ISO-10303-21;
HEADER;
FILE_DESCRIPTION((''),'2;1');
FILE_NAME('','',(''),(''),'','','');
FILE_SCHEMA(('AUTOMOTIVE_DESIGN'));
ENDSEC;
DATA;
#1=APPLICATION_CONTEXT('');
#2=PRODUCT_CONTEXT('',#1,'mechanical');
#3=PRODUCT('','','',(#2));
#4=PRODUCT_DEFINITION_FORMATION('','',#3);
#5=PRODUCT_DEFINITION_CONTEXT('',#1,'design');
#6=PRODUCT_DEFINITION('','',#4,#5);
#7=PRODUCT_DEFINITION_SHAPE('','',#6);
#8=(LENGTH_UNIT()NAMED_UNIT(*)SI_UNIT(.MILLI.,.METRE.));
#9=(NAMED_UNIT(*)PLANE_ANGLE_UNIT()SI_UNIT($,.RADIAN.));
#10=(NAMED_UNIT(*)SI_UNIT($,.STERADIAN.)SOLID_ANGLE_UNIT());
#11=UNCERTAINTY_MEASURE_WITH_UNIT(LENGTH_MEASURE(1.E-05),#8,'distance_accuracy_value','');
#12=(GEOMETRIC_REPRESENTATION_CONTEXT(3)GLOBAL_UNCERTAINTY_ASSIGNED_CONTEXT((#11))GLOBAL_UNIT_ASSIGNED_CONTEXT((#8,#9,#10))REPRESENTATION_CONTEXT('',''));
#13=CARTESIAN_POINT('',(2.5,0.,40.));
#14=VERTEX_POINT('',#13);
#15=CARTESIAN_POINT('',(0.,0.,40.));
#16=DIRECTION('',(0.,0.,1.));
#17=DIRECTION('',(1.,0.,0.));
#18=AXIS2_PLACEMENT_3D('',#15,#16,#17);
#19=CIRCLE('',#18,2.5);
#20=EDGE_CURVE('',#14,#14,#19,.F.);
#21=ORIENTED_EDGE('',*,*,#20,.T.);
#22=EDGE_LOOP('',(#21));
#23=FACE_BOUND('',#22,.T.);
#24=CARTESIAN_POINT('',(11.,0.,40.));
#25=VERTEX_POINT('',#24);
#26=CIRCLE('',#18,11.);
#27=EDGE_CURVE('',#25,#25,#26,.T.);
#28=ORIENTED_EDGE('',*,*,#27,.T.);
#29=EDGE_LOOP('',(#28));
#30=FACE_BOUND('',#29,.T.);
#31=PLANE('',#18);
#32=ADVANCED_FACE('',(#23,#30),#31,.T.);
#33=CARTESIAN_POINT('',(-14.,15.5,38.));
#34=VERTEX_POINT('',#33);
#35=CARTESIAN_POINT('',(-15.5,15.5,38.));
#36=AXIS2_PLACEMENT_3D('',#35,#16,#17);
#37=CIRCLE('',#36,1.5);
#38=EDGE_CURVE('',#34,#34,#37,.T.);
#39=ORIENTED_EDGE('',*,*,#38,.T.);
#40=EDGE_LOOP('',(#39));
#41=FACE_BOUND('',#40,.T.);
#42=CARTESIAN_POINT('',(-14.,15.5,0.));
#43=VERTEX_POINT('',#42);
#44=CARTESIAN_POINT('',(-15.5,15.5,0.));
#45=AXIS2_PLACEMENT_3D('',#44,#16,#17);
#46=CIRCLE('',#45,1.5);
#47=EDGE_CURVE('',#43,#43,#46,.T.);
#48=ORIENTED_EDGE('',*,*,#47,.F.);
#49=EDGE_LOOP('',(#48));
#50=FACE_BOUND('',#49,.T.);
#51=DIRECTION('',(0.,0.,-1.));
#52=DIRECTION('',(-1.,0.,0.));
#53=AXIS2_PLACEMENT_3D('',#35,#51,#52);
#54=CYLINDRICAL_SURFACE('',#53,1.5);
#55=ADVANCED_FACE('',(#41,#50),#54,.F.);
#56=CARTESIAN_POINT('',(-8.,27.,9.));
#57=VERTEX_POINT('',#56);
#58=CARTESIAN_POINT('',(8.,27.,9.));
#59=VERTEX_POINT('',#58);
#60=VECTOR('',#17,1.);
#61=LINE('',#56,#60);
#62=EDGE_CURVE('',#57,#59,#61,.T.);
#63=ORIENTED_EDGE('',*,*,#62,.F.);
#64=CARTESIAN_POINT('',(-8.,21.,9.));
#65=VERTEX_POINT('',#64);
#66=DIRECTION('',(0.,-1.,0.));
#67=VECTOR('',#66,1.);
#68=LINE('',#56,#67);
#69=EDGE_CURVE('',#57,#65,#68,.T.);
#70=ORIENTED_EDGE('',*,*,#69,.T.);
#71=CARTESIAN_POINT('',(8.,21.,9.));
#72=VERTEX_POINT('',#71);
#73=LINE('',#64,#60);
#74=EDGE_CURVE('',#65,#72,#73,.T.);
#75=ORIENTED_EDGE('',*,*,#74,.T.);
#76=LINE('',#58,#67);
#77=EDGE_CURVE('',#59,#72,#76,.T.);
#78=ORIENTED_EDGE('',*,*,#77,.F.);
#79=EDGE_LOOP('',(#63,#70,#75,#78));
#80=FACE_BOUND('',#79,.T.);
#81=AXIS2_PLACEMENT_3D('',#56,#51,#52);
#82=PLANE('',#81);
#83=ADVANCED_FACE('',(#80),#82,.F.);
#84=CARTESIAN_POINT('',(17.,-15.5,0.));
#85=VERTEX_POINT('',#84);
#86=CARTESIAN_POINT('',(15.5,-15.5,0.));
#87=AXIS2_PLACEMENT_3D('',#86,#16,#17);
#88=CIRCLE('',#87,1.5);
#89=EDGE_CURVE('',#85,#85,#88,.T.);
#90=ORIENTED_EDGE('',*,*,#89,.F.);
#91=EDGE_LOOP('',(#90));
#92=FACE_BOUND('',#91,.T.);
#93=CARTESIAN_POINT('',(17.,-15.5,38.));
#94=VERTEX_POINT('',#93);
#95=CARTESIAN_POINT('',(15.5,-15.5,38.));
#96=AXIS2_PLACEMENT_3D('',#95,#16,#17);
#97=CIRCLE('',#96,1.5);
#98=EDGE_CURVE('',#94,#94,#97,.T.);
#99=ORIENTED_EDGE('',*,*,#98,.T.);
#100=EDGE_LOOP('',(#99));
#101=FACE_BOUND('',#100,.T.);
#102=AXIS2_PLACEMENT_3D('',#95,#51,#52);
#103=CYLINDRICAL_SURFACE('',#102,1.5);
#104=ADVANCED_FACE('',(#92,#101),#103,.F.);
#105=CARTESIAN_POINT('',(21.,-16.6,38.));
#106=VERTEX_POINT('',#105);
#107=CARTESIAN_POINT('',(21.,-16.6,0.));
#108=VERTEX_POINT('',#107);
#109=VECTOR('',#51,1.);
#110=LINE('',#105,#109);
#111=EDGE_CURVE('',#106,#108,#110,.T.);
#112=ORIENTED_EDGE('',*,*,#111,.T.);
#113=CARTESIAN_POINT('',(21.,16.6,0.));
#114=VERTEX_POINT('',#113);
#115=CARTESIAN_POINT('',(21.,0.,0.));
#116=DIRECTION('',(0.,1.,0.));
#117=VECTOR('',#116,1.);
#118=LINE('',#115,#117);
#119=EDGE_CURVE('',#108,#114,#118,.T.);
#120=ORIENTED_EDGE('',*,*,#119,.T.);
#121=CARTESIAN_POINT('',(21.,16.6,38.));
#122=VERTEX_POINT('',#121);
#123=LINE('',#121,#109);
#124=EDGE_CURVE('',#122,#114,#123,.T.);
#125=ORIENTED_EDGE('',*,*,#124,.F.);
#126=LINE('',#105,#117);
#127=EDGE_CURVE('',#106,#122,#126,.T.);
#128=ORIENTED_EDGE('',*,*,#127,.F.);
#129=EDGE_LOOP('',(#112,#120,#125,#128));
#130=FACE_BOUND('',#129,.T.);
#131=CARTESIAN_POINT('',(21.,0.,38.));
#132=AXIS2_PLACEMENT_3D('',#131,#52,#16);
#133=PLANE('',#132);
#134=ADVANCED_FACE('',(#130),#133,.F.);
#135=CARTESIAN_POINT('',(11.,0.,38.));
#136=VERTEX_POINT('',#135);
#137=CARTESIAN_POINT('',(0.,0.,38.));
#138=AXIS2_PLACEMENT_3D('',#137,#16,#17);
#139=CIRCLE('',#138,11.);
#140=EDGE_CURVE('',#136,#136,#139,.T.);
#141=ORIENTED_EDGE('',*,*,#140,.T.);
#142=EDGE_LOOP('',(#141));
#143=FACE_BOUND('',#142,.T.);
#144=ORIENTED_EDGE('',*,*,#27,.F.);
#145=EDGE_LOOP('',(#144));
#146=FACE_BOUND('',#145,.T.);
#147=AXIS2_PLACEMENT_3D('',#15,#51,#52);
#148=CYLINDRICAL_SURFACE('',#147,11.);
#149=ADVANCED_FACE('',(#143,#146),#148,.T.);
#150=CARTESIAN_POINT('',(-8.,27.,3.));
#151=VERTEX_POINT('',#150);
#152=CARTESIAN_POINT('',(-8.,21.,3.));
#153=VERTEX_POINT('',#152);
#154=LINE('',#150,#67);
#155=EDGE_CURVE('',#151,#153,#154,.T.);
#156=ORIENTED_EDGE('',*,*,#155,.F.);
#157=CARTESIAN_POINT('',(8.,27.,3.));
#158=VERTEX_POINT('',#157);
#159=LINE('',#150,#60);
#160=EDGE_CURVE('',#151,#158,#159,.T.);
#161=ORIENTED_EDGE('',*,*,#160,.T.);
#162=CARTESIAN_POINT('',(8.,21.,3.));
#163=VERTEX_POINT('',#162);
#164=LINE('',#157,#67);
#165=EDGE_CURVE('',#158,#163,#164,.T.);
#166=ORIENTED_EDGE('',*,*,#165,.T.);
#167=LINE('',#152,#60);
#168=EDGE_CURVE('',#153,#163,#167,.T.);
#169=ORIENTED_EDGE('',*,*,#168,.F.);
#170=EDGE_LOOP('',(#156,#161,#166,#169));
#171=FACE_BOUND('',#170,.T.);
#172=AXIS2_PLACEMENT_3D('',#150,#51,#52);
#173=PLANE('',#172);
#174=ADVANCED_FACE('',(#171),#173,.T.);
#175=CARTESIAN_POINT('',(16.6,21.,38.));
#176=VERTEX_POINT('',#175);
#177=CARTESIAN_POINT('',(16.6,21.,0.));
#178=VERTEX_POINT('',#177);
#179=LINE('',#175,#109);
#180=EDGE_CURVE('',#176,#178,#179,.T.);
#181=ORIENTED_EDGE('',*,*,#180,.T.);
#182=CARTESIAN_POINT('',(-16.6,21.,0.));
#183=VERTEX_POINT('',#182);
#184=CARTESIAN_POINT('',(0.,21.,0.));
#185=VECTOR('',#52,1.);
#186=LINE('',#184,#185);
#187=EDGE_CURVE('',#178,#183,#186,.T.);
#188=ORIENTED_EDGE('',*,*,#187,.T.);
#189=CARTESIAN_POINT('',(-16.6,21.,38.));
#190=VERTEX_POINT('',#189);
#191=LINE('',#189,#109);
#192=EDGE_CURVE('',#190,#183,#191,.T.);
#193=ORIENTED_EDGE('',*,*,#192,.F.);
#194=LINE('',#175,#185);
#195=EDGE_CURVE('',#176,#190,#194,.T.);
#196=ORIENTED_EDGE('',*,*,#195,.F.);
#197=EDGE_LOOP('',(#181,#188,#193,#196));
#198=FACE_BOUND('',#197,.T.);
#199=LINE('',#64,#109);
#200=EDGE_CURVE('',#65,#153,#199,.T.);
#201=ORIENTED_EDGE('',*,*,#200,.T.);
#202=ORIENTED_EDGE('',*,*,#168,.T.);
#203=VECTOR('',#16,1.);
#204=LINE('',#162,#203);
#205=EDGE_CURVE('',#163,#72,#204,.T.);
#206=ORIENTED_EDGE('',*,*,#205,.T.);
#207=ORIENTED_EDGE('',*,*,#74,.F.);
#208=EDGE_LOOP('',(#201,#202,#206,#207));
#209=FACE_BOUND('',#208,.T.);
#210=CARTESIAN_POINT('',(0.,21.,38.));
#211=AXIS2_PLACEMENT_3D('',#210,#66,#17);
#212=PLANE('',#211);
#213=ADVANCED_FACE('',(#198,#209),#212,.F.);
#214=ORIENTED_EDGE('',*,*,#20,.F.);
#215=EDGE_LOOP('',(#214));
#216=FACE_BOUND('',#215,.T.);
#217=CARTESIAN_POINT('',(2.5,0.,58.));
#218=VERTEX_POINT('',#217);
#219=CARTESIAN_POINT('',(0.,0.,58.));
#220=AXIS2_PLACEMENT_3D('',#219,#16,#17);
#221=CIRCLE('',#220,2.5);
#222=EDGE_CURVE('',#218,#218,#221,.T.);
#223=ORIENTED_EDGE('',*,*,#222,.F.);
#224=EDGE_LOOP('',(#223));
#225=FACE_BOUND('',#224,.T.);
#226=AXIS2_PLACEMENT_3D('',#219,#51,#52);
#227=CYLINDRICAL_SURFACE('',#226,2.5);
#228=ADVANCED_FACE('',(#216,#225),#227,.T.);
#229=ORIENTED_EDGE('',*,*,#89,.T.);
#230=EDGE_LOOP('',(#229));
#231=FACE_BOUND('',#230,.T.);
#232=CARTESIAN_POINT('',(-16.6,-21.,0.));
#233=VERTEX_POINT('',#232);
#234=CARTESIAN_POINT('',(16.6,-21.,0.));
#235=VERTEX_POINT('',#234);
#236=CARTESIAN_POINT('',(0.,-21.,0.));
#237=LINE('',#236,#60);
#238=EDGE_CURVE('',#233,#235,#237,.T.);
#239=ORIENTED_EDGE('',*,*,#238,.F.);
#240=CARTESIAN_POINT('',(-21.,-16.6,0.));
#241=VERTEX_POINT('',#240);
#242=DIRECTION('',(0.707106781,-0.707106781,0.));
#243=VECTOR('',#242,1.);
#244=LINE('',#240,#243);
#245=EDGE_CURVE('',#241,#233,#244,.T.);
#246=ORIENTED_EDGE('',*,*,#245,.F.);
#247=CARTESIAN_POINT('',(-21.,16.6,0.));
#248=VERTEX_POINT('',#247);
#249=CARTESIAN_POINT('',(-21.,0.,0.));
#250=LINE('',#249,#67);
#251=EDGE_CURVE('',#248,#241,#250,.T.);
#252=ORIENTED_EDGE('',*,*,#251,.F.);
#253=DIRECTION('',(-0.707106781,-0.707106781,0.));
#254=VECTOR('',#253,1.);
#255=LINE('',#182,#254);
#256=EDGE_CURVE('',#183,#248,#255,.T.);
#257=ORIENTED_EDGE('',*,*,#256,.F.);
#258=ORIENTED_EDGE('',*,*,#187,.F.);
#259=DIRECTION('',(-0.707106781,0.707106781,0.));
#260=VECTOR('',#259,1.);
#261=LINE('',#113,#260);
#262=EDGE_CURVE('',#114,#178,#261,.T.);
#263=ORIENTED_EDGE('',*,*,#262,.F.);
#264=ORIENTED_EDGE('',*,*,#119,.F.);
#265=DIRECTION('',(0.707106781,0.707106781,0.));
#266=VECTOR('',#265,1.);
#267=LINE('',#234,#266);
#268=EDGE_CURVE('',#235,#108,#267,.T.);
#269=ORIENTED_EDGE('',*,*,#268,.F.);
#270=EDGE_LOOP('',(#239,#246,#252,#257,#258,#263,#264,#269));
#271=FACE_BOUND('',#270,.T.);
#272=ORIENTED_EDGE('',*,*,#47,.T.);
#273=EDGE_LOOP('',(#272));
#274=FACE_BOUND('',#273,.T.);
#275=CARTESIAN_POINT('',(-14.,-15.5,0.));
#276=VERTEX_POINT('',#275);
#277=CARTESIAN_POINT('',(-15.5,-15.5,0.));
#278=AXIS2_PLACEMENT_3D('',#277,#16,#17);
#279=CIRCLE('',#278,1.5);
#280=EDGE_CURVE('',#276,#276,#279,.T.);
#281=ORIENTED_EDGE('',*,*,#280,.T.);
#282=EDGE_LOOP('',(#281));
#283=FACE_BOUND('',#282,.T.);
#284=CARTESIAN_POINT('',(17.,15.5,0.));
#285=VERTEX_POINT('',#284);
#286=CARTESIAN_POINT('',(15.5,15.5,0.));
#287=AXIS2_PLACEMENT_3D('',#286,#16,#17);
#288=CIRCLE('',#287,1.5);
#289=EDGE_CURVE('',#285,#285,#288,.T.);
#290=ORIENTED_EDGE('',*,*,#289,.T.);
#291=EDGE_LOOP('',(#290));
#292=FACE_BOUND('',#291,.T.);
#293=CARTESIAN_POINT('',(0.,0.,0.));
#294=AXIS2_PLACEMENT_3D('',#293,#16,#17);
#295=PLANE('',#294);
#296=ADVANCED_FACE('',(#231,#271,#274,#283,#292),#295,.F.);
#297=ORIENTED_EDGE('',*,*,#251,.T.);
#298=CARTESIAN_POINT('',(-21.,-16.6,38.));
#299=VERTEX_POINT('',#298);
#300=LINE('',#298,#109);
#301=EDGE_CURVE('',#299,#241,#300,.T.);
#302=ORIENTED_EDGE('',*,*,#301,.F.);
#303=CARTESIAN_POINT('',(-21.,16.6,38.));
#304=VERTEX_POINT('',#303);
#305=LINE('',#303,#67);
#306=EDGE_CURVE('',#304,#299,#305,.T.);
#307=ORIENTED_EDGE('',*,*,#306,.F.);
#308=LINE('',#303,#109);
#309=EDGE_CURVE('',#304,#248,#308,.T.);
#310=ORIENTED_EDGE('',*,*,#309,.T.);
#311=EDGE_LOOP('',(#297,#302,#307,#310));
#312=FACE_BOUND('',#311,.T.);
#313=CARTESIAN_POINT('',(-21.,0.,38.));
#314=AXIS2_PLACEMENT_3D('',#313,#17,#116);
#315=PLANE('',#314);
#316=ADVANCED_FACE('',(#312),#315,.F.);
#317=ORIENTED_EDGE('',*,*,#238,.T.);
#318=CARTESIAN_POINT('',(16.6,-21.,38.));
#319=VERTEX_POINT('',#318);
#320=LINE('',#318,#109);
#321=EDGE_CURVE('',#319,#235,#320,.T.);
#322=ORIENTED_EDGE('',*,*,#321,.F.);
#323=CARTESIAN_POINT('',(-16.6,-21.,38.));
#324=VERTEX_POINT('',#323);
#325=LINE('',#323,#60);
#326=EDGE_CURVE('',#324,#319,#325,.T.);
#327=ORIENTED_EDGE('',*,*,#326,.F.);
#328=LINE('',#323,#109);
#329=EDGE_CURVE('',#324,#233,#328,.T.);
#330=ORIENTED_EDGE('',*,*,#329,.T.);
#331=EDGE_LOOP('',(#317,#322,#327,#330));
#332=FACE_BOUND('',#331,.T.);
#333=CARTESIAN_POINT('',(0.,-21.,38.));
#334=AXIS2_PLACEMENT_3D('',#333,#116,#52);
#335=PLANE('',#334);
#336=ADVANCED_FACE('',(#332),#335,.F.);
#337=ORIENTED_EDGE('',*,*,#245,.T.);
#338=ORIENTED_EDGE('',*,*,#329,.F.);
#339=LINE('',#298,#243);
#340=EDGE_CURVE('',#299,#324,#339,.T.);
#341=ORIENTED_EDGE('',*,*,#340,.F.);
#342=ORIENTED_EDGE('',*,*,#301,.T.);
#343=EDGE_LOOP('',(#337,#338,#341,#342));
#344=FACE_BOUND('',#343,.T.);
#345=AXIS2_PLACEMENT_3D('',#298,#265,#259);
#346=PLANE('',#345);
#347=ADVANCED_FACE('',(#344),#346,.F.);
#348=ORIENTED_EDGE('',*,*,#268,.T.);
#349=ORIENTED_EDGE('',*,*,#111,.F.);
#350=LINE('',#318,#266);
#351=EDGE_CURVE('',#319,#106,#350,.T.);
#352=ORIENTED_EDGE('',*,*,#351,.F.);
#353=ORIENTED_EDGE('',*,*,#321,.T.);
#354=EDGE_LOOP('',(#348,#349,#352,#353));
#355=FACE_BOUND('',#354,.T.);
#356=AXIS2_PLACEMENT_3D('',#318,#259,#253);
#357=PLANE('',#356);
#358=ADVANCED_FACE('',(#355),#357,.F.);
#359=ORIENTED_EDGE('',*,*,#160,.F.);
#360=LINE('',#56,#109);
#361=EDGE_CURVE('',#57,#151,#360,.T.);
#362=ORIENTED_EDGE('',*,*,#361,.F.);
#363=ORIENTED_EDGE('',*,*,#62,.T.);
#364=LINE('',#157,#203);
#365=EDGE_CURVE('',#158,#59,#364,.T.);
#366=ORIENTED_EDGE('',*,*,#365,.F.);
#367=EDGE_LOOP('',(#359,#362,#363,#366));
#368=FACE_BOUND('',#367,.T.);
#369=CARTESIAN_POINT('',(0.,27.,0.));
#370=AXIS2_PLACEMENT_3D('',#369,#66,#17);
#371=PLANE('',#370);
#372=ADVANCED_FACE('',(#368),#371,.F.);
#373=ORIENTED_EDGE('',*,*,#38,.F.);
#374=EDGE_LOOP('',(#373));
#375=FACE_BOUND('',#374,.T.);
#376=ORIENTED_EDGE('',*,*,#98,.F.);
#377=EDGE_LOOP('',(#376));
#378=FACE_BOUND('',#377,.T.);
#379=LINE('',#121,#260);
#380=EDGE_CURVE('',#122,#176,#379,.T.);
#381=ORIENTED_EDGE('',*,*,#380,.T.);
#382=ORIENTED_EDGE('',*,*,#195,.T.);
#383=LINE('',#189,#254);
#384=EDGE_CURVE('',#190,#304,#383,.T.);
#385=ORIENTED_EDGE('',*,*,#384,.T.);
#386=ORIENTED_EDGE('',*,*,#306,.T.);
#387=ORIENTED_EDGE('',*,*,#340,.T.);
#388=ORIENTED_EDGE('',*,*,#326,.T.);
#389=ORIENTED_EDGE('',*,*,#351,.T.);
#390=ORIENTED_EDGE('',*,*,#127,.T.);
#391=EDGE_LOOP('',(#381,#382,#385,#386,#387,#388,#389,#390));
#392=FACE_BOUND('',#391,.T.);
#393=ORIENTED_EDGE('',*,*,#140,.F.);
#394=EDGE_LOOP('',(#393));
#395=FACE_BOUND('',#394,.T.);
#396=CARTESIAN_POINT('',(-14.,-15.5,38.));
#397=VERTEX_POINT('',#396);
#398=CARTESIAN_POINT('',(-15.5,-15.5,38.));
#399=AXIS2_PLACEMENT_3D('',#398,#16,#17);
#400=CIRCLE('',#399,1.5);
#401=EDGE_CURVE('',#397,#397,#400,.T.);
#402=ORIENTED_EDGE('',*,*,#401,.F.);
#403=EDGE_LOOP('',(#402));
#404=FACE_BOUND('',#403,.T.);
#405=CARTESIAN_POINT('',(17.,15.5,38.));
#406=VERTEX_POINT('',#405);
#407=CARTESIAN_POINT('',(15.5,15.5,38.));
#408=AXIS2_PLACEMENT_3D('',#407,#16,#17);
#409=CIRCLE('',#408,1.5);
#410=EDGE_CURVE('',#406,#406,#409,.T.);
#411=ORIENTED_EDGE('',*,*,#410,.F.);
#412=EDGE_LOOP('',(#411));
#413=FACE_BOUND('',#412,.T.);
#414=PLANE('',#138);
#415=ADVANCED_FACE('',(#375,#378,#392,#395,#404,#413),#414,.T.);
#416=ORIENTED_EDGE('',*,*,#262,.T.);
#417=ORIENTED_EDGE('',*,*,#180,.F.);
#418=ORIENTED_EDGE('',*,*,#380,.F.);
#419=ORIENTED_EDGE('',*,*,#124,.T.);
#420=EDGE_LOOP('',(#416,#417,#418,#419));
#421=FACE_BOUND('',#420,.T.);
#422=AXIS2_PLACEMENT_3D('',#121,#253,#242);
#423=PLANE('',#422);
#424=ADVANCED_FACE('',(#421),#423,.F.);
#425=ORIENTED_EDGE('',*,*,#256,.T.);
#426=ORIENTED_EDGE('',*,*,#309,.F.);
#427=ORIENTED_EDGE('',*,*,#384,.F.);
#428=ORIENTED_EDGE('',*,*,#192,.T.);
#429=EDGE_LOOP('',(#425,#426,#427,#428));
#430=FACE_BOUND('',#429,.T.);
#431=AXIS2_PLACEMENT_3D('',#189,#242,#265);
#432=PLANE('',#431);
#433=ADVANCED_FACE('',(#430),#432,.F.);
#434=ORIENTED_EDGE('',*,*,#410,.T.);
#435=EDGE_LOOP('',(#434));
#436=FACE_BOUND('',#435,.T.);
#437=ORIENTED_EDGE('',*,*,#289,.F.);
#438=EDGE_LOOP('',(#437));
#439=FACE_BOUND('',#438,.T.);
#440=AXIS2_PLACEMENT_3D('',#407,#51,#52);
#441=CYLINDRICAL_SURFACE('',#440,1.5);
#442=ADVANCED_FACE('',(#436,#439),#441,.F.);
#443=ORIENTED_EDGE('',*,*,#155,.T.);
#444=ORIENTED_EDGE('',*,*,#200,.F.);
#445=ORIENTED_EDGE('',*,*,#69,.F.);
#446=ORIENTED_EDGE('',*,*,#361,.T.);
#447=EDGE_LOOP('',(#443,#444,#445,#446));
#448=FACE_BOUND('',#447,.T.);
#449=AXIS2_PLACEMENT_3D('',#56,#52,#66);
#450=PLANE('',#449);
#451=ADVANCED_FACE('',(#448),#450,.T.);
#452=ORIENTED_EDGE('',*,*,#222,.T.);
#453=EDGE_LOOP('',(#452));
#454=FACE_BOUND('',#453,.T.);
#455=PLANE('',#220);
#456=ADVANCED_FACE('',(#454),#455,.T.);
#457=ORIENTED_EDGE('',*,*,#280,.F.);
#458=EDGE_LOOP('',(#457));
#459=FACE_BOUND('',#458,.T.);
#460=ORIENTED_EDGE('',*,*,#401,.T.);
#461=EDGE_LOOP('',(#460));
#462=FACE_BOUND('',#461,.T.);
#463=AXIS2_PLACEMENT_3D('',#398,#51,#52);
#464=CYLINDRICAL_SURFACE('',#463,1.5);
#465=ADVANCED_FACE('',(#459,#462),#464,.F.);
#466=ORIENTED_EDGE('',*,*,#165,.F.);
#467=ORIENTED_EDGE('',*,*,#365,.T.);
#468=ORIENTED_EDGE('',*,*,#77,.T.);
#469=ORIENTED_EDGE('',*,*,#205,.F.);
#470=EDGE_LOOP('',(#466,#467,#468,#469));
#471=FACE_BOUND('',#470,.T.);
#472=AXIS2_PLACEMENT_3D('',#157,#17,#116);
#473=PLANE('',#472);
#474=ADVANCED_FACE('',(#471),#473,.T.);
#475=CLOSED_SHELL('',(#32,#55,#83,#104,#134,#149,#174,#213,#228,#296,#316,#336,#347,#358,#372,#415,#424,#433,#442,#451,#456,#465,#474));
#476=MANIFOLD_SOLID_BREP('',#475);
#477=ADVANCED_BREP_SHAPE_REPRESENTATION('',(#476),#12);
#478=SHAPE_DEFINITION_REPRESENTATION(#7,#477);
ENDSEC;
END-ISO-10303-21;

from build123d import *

# Parameters (mm, degrees)
SKETCH_1_R      = 1.5
EXTRUDE_1_DEPTH = 38
SKETCH_2_R      = 11
EXTRUDE_2_DEPTH = 2
SKETCH_3_R      = 2.5
EXTRUDE_3_DEPTH = 20
SKETCH_4_W      = 16
SKETCH_4_H      = 6
EXTRUDE_4_DEPTH = 6


with BuildPart() as part:
    # 草图1 → 凸台-拉伸1 (new body)
    with BuildSketch(Plane.XY):
        Polygon((21, 0), (21, 16.6), (16.6, 21), (0, 21), (-16.6, 21), (-21, 16.6), (-21, 0), (-21, -16.6), (-16.6, -21), (0, -21), (16.6, -21), (21, -16.6), align=None)
        with Locations((15.5, 15.5)):
            Circle(SKETCH_1_R, mode=Mode.SUBTRACT)
        with Locations((15.5, -15.5)):
            Circle(SKETCH_1_R, mode=Mode.SUBTRACT)
        with Locations((-15.5, -15.5)):
            Circle(SKETCH_1_R, mode=Mode.SUBTRACT)
        with Locations((-15.5, 15.5)):
            Circle(SKETCH_1_R, mode=Mode.SUBTRACT)
    extrude(amount=EXTRUDE_1_DEPTH)

    # 草图2 → 凸台-拉伸2 (add)
    with BuildSketch(Plane.XY.offset(38)):
        Circle(SKETCH_2_R)
    extrude(amount=EXTRUDE_2_DEPTH)

    # 草图3 → 凸台-拉伸3 (add)
    with BuildSketch(Plane.XY.offset(38)):
        Circle(SKETCH_3_R)
    extrude(amount=EXTRUDE_3_DEPTH)

    # 草图4 → 凸台-拉伸4 (add)
    with BuildSketch(Plane(origin=(0, 21, 0), x_dir=(1, 0, 0), z_dir=(0, 1, 0))):
        with Locations((0, -6)):
            Rectangle(SKETCH_4_W, SKETCH_4_H)
    extrude(amount=EXTRUDE_4_DEPTH)


solid = part.part
